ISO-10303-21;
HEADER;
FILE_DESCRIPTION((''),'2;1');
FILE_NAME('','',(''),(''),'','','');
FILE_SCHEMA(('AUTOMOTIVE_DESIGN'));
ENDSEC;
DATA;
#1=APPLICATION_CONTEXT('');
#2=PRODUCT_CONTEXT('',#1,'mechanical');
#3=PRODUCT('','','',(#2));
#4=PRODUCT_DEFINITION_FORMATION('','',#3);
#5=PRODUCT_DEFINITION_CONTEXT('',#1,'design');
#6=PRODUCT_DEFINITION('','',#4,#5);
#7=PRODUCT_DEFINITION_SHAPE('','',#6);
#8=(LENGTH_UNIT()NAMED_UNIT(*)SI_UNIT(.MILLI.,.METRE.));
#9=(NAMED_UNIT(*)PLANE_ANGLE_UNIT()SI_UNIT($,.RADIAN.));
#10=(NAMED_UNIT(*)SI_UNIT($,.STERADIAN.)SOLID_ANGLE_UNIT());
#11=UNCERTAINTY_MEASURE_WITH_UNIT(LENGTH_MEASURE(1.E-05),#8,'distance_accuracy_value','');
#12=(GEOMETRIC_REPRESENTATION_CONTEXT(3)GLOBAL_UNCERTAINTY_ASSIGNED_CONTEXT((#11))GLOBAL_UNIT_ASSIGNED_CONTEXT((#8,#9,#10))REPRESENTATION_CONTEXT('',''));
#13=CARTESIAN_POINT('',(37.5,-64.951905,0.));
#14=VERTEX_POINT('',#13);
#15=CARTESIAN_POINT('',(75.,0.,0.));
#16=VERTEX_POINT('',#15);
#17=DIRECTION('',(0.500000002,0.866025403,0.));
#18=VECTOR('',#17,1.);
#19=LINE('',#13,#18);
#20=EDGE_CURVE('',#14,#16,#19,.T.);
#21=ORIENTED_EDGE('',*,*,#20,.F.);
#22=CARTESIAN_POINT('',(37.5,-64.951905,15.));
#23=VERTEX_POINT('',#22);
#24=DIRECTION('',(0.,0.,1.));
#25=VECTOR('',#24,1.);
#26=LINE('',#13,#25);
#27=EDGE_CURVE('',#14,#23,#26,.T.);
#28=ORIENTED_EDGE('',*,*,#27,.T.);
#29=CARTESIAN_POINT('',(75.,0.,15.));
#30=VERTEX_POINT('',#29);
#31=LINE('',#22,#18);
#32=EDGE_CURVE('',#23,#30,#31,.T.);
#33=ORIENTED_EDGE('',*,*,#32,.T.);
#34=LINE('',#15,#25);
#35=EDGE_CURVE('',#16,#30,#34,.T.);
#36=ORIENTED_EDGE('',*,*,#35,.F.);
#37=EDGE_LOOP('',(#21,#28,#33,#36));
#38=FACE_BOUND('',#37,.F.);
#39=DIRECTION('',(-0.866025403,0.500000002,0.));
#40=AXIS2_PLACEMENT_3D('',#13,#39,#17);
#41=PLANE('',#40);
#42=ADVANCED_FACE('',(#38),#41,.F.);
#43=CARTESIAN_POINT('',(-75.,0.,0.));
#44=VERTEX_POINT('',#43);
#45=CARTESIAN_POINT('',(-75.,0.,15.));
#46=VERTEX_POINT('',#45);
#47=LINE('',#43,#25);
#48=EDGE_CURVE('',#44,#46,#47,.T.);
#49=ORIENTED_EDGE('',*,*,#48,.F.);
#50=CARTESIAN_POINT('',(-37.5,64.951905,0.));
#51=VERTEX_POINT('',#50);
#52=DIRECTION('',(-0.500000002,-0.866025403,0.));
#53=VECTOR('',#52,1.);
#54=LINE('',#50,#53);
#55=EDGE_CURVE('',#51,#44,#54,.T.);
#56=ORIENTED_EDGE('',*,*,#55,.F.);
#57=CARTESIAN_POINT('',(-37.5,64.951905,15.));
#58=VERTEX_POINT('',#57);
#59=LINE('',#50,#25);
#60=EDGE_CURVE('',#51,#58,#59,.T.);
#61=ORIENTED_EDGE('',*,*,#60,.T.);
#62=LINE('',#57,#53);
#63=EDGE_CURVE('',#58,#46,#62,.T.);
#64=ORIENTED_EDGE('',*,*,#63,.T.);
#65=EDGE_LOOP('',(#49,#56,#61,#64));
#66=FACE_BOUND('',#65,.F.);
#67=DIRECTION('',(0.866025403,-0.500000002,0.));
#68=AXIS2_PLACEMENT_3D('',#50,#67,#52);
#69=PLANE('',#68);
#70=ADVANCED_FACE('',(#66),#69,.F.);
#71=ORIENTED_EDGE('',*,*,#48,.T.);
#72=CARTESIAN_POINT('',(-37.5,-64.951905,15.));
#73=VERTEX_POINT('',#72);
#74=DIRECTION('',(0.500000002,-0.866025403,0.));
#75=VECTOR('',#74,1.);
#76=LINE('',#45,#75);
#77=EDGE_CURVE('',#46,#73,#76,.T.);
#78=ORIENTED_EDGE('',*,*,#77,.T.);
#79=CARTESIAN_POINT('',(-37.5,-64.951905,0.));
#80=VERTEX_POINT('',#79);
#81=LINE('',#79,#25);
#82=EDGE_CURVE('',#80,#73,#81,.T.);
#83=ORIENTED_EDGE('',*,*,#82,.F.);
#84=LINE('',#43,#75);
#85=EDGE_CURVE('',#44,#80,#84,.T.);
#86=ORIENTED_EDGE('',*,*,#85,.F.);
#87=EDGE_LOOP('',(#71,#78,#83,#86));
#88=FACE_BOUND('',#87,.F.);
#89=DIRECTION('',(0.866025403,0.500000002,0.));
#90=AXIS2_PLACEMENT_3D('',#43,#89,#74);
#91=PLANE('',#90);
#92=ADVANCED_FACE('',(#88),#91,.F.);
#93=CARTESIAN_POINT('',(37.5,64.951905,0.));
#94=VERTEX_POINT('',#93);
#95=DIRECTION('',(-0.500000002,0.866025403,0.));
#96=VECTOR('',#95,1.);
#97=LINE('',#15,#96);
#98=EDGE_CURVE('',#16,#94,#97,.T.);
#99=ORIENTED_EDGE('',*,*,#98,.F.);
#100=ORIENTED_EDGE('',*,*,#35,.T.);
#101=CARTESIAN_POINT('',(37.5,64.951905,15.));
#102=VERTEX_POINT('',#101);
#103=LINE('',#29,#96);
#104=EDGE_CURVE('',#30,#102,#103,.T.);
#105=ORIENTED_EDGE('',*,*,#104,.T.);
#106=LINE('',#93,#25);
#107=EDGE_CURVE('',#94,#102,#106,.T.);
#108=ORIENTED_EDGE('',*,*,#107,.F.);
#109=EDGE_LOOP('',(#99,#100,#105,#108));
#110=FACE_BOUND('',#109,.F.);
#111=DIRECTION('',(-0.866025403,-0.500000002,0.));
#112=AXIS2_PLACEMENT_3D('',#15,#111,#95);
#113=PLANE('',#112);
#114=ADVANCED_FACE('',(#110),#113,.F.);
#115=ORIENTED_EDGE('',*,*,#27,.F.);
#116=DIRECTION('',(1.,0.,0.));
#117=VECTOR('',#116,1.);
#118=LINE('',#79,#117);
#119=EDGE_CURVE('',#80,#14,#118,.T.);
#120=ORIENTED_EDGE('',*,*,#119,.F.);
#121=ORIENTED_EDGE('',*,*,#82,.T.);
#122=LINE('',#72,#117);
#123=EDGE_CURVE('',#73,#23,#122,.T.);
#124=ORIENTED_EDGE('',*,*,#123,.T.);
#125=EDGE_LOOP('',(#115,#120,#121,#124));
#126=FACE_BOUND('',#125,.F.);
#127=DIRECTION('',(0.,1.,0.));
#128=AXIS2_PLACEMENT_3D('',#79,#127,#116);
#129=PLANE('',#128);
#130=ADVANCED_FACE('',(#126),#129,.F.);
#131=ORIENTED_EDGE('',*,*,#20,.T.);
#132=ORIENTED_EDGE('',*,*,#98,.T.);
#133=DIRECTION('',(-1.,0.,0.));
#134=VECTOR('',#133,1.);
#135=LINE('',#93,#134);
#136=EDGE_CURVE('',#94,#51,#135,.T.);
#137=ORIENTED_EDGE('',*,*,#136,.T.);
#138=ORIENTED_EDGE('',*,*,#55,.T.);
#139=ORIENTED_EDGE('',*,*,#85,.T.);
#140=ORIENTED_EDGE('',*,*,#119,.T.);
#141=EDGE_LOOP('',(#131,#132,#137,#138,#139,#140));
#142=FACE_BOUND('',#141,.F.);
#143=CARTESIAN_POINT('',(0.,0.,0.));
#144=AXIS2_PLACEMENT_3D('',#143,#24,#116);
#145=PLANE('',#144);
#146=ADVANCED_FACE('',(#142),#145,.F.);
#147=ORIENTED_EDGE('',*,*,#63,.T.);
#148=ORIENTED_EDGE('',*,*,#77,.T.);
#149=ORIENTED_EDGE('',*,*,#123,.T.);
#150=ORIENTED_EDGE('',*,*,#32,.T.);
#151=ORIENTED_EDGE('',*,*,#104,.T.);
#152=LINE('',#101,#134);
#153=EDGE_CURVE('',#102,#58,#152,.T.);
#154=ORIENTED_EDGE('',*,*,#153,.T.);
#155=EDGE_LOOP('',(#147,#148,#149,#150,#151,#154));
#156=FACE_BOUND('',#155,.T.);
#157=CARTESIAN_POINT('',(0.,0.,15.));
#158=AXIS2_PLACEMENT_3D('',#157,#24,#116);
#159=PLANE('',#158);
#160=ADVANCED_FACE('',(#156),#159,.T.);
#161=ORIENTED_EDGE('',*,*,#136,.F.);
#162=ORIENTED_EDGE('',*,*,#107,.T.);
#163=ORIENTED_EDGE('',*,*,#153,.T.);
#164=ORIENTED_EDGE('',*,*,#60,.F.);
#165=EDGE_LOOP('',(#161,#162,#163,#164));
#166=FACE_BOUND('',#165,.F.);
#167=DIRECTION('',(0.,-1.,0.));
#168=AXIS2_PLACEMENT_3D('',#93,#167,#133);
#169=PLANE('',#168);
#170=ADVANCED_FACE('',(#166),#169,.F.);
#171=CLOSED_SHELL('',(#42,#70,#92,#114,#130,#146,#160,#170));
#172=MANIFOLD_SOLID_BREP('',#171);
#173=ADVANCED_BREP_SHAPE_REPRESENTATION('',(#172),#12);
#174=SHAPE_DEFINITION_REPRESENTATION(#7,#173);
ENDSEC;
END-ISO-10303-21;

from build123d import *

# Parameters (mm, degrees)
PAD_DEPTH = 15


with BuildPart() as part:
    # Sketch → Pad (new body)
    with BuildSketch(Plane.XY):
        Polygon((-37.5, 64.951905), (-75, 0), (-37.5, -64.951905), (37.5, -64.951905), (75, 0), (37.5, 64.951905), align=None)
    extrude(amount=PAD_DEPTH)


solid = part.part
